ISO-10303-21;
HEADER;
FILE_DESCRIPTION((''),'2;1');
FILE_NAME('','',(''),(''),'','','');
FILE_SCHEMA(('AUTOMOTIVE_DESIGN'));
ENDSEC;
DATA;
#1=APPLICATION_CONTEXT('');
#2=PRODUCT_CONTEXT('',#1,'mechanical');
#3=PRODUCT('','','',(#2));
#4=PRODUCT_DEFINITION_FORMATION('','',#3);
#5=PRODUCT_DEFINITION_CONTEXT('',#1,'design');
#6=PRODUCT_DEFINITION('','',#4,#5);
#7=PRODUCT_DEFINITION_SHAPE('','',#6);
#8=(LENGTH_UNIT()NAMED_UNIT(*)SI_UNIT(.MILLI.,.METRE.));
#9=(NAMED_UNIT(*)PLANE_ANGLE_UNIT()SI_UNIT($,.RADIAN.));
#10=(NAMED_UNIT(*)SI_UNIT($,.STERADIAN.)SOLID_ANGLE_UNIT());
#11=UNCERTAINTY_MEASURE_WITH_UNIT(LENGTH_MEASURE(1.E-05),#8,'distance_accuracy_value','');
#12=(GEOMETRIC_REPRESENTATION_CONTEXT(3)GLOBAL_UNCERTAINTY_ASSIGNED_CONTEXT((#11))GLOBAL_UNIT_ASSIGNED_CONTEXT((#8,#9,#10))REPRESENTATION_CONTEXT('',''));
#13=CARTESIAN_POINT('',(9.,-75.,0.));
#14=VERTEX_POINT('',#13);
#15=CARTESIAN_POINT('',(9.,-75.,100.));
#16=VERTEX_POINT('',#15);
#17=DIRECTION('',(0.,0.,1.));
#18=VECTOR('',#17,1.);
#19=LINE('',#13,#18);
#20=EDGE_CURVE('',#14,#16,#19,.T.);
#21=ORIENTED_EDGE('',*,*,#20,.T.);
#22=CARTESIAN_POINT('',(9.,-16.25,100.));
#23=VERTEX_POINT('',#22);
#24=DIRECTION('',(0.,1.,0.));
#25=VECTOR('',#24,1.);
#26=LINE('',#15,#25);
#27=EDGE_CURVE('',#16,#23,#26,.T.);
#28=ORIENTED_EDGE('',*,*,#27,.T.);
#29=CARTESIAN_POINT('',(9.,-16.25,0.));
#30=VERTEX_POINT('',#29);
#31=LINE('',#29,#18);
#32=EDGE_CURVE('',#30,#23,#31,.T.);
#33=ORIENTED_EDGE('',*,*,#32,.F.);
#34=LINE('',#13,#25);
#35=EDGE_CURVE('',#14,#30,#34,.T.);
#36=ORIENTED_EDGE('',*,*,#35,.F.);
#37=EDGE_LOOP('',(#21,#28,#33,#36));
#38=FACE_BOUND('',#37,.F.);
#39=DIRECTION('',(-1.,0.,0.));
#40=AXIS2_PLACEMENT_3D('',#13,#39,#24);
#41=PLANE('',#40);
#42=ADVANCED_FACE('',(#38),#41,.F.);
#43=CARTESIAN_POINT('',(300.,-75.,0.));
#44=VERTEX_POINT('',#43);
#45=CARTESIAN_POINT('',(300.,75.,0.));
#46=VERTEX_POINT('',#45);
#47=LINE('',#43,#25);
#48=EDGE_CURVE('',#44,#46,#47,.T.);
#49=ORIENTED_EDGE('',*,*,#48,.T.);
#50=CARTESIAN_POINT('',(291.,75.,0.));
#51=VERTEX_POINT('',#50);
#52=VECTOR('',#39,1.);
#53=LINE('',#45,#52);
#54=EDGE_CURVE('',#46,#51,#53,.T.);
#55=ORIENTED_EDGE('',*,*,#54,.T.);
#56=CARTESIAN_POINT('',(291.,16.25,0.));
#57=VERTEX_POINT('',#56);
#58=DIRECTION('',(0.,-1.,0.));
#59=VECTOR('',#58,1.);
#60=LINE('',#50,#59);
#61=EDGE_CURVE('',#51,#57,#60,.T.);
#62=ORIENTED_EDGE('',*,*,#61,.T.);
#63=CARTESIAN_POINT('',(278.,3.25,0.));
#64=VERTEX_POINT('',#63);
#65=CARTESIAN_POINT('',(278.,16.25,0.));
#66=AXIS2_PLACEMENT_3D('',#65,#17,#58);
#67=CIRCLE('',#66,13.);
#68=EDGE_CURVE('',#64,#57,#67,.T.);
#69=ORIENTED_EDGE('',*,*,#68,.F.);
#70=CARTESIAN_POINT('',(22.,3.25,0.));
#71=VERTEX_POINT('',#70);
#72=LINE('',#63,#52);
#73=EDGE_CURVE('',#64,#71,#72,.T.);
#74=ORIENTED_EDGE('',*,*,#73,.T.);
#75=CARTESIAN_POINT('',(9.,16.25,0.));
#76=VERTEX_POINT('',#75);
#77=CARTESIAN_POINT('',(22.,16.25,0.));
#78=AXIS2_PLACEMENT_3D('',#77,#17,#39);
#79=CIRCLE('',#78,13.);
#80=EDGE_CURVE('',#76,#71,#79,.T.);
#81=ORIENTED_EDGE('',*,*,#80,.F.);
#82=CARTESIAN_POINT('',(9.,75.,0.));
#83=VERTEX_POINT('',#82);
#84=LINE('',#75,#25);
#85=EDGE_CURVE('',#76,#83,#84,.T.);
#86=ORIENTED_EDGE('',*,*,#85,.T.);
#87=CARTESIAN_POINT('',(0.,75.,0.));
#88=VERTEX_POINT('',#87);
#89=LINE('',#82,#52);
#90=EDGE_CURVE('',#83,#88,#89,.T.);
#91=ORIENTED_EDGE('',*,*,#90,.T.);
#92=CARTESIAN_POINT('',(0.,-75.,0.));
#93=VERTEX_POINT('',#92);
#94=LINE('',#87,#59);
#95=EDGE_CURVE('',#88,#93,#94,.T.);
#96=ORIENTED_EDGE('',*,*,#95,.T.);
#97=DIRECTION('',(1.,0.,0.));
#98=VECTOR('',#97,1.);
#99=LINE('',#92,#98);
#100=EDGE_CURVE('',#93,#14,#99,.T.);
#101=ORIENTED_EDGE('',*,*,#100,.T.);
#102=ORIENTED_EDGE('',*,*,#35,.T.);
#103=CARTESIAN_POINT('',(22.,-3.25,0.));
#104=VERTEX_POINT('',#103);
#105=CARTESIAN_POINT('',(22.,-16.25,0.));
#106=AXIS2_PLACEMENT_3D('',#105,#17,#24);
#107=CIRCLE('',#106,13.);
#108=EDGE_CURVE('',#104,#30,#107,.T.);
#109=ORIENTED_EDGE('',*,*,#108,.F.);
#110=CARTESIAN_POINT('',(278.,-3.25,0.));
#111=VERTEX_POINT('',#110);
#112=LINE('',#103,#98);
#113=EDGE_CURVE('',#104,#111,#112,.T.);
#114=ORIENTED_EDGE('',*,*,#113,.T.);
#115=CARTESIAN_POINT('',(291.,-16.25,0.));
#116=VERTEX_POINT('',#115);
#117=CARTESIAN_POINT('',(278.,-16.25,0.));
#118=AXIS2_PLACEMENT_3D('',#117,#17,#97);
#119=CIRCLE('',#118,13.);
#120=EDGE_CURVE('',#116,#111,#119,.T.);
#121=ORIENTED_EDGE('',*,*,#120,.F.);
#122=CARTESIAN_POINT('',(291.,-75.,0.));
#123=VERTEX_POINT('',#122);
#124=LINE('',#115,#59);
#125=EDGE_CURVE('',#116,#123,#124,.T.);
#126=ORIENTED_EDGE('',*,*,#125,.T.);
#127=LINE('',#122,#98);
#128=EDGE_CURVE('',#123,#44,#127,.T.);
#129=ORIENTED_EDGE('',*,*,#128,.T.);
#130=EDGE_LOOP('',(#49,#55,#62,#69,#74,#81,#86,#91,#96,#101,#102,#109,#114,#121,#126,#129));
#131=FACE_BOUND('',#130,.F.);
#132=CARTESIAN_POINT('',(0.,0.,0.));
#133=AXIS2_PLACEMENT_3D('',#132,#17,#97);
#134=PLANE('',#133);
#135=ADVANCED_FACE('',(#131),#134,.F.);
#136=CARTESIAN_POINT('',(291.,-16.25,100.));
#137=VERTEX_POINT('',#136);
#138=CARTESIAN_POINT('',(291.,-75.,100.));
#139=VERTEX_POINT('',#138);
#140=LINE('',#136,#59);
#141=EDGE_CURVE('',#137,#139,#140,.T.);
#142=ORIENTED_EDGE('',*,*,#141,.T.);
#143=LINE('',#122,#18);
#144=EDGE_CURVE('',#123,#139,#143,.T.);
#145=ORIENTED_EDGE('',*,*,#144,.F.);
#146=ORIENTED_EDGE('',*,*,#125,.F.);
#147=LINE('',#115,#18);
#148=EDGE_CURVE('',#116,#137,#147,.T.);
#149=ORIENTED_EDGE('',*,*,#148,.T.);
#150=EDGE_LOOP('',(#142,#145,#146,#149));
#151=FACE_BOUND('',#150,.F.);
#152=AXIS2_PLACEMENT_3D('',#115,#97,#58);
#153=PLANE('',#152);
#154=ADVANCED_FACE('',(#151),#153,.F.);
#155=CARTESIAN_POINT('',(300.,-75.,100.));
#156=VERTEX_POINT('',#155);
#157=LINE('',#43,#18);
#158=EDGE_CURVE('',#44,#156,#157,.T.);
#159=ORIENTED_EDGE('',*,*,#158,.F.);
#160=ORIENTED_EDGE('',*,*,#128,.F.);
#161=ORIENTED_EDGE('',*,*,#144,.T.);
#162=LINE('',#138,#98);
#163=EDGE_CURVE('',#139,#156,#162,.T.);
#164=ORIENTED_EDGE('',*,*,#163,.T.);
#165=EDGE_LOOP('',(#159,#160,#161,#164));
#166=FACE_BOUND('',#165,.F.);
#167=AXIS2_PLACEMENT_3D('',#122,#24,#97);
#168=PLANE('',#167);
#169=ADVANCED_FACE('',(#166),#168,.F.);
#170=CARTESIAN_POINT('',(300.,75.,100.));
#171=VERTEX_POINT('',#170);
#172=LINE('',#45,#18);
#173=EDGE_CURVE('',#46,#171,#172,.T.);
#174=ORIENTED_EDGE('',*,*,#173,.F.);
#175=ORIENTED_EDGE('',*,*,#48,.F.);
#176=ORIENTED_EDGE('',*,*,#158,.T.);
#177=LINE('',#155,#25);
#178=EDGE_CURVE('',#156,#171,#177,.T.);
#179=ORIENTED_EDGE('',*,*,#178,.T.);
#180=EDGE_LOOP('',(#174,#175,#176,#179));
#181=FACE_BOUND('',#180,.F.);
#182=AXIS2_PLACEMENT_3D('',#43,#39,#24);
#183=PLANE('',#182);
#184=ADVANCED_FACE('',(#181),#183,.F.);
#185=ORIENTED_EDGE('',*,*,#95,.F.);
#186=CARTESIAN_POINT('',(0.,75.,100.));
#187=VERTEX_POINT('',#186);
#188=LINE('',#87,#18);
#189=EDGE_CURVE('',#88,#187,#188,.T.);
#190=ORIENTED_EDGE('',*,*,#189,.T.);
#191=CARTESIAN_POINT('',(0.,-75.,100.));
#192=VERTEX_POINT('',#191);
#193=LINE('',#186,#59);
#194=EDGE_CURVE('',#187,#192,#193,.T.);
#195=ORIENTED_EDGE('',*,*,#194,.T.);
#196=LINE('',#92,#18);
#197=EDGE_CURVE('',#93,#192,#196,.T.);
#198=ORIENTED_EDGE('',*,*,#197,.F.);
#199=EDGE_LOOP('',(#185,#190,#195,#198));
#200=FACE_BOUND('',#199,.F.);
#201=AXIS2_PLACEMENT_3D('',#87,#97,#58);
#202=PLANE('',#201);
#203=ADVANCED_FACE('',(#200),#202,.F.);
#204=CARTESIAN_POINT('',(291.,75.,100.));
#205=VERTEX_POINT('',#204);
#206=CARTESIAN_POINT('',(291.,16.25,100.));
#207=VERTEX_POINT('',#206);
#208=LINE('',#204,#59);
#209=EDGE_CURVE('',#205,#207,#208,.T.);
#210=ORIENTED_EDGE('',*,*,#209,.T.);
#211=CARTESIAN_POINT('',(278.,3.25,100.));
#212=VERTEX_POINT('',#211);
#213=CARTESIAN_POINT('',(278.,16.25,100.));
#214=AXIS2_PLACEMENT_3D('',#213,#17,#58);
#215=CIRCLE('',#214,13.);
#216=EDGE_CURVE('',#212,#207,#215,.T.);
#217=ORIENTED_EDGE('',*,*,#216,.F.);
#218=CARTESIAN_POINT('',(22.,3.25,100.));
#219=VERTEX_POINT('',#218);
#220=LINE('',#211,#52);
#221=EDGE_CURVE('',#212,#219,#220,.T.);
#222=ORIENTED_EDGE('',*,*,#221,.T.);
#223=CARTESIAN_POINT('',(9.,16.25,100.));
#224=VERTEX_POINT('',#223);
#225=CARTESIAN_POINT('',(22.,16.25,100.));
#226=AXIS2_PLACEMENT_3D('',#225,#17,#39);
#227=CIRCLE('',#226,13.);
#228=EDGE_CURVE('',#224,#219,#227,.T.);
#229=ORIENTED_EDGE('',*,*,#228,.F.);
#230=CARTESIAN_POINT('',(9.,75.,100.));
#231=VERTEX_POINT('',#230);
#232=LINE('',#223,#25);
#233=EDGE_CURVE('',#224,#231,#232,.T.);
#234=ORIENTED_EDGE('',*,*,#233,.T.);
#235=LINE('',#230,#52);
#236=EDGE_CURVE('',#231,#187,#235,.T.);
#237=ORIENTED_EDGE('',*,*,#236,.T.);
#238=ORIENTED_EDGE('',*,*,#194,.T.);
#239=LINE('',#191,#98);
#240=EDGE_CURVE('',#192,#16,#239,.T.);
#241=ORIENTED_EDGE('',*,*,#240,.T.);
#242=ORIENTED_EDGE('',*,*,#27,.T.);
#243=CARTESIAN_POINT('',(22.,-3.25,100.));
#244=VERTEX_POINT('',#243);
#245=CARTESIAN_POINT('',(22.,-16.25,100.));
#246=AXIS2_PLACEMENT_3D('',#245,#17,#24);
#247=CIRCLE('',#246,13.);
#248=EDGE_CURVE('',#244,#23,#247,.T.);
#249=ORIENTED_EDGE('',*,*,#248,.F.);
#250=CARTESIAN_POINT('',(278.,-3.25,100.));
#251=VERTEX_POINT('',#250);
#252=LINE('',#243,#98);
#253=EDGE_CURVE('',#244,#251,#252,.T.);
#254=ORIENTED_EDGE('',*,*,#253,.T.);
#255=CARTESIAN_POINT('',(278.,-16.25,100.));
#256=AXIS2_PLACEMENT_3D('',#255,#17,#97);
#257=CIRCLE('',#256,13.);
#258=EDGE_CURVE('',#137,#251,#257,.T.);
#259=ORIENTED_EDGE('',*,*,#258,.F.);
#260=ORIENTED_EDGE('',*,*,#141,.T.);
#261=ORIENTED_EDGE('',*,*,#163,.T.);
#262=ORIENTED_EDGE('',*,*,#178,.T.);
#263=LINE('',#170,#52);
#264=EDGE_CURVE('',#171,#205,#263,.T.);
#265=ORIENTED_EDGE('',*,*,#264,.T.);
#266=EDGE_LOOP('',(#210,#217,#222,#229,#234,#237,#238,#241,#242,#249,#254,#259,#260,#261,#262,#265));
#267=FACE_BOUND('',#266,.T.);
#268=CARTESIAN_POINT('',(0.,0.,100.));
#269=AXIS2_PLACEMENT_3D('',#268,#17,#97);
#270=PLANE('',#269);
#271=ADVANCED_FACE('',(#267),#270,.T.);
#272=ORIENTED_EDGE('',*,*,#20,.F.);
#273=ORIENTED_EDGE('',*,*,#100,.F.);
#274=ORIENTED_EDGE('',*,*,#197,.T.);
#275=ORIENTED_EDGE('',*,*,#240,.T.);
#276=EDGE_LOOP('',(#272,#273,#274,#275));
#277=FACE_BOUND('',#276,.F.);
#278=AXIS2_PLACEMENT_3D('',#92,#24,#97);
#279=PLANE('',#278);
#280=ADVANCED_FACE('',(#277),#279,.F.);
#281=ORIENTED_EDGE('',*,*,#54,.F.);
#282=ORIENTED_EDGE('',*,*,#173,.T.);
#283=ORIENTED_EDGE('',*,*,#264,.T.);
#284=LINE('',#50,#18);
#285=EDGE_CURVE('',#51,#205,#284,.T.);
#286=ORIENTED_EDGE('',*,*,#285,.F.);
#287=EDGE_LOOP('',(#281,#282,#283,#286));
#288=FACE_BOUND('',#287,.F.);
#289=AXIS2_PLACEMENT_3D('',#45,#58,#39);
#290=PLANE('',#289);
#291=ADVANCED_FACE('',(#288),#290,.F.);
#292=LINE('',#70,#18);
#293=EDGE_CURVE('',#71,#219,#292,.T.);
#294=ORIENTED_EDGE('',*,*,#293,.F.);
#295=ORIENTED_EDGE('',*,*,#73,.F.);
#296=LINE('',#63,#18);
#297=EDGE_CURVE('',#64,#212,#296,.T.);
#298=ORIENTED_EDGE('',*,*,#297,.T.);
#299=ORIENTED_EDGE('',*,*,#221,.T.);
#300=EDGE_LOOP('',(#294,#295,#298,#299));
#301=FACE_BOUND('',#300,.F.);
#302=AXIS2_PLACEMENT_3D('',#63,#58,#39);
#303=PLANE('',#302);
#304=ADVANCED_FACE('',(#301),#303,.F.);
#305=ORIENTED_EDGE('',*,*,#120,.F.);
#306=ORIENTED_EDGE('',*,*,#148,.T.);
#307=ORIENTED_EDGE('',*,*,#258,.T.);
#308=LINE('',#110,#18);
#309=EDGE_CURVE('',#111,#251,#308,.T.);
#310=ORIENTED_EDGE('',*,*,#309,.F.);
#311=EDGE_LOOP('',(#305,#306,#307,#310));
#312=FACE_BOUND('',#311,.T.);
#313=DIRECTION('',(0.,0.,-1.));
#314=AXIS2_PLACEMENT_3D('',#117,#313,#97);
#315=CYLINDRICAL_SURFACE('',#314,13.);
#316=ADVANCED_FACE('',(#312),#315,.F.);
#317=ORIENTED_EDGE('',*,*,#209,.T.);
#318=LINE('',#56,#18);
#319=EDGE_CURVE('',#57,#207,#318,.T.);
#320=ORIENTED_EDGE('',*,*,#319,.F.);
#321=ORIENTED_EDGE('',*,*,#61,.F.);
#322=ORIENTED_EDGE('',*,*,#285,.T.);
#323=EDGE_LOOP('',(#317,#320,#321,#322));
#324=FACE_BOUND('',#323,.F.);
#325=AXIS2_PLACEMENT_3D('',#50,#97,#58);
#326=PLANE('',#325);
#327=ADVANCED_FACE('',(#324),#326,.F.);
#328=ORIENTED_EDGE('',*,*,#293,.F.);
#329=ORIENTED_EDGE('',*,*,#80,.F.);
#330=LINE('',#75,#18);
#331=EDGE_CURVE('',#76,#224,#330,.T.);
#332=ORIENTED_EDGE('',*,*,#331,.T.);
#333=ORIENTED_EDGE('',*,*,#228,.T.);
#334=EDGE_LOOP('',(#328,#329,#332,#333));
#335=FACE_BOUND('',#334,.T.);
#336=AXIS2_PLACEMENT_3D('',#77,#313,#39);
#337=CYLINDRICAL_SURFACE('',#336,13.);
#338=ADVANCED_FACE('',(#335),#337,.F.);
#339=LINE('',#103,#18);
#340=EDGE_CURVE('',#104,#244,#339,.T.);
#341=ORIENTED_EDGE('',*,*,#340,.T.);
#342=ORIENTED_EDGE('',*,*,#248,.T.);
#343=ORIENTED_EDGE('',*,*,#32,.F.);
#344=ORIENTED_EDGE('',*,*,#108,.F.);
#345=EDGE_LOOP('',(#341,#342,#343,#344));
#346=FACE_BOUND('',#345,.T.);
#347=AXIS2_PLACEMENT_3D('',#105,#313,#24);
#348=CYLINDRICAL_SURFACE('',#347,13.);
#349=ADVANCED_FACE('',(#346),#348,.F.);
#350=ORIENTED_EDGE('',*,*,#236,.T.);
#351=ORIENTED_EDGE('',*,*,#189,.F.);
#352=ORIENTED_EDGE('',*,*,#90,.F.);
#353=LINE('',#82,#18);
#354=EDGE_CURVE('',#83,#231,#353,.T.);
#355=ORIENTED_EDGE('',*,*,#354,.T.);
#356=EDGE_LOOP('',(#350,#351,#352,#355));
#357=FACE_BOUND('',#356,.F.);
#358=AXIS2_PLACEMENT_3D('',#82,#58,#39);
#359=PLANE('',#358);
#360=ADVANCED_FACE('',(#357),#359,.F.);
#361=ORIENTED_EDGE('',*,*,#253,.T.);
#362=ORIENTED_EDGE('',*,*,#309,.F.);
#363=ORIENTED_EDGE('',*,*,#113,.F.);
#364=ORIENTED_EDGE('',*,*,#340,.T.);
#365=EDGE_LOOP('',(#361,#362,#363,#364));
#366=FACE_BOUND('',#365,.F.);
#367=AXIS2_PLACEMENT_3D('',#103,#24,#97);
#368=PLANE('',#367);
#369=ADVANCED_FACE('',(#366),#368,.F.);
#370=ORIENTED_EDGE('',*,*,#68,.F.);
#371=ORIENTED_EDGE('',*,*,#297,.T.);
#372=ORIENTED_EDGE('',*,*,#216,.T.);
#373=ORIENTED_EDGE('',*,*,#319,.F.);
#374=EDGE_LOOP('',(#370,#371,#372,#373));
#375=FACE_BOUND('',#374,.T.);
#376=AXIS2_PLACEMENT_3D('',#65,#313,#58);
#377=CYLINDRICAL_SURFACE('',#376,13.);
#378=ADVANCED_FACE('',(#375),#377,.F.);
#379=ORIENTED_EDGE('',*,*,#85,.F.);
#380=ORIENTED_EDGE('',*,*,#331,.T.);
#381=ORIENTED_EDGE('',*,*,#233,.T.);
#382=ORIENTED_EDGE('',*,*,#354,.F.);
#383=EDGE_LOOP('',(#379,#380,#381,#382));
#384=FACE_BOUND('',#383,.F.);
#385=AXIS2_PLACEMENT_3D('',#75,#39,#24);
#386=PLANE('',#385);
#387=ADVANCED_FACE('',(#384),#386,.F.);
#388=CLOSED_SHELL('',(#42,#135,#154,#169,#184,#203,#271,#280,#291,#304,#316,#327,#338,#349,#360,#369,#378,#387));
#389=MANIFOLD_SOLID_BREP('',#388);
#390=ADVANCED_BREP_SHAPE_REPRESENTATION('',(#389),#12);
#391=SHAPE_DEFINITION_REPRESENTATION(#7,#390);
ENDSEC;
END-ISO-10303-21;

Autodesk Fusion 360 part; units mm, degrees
sketch "スケッチ1" plane through (0, 0, 0) normal (0, 0, 1) x (1, 0, 0)
  line L0 (0, 75) -> (0, -75)
  line L1 (300, -75) -> (300, 75)
  line L2 (291, -16.25) -> (291, -75)
  line L3 (9, -75) -> (9, -16.25)
  line L4 (0, -75) -> (9, -75)
  line L5 (291, -75) -> (300, -75)
  line L6 (278, 3.25) -> (22, 3.25)
  line L7 (22, -3.25) -> (278, -3.25)
  line L8 (9, 16.25) -> (9, 75)
  arc A0 (22, -3.25) -> (9, -16.25) centre (22, -16.25) ccw
  arc A1 (9, 16.25) -> (22, 3.25) centre (22, 16.25) ccw
  line L9 (9, 75) -> (0, 75)
  line L10 (291, 75) -> (291, 16.25)
  arc A2 (291, -16.25) -> (278, -3.25) centre (278, -16.25) ccw
  arc A3 (278, 3.25) -> (291, 16.25) centre (278, 16.25) ccw
  line L11 (300, 75) -> (291, 75)
extrude "押し出し1" add sketch "スケッチ1" along normal blind 100
